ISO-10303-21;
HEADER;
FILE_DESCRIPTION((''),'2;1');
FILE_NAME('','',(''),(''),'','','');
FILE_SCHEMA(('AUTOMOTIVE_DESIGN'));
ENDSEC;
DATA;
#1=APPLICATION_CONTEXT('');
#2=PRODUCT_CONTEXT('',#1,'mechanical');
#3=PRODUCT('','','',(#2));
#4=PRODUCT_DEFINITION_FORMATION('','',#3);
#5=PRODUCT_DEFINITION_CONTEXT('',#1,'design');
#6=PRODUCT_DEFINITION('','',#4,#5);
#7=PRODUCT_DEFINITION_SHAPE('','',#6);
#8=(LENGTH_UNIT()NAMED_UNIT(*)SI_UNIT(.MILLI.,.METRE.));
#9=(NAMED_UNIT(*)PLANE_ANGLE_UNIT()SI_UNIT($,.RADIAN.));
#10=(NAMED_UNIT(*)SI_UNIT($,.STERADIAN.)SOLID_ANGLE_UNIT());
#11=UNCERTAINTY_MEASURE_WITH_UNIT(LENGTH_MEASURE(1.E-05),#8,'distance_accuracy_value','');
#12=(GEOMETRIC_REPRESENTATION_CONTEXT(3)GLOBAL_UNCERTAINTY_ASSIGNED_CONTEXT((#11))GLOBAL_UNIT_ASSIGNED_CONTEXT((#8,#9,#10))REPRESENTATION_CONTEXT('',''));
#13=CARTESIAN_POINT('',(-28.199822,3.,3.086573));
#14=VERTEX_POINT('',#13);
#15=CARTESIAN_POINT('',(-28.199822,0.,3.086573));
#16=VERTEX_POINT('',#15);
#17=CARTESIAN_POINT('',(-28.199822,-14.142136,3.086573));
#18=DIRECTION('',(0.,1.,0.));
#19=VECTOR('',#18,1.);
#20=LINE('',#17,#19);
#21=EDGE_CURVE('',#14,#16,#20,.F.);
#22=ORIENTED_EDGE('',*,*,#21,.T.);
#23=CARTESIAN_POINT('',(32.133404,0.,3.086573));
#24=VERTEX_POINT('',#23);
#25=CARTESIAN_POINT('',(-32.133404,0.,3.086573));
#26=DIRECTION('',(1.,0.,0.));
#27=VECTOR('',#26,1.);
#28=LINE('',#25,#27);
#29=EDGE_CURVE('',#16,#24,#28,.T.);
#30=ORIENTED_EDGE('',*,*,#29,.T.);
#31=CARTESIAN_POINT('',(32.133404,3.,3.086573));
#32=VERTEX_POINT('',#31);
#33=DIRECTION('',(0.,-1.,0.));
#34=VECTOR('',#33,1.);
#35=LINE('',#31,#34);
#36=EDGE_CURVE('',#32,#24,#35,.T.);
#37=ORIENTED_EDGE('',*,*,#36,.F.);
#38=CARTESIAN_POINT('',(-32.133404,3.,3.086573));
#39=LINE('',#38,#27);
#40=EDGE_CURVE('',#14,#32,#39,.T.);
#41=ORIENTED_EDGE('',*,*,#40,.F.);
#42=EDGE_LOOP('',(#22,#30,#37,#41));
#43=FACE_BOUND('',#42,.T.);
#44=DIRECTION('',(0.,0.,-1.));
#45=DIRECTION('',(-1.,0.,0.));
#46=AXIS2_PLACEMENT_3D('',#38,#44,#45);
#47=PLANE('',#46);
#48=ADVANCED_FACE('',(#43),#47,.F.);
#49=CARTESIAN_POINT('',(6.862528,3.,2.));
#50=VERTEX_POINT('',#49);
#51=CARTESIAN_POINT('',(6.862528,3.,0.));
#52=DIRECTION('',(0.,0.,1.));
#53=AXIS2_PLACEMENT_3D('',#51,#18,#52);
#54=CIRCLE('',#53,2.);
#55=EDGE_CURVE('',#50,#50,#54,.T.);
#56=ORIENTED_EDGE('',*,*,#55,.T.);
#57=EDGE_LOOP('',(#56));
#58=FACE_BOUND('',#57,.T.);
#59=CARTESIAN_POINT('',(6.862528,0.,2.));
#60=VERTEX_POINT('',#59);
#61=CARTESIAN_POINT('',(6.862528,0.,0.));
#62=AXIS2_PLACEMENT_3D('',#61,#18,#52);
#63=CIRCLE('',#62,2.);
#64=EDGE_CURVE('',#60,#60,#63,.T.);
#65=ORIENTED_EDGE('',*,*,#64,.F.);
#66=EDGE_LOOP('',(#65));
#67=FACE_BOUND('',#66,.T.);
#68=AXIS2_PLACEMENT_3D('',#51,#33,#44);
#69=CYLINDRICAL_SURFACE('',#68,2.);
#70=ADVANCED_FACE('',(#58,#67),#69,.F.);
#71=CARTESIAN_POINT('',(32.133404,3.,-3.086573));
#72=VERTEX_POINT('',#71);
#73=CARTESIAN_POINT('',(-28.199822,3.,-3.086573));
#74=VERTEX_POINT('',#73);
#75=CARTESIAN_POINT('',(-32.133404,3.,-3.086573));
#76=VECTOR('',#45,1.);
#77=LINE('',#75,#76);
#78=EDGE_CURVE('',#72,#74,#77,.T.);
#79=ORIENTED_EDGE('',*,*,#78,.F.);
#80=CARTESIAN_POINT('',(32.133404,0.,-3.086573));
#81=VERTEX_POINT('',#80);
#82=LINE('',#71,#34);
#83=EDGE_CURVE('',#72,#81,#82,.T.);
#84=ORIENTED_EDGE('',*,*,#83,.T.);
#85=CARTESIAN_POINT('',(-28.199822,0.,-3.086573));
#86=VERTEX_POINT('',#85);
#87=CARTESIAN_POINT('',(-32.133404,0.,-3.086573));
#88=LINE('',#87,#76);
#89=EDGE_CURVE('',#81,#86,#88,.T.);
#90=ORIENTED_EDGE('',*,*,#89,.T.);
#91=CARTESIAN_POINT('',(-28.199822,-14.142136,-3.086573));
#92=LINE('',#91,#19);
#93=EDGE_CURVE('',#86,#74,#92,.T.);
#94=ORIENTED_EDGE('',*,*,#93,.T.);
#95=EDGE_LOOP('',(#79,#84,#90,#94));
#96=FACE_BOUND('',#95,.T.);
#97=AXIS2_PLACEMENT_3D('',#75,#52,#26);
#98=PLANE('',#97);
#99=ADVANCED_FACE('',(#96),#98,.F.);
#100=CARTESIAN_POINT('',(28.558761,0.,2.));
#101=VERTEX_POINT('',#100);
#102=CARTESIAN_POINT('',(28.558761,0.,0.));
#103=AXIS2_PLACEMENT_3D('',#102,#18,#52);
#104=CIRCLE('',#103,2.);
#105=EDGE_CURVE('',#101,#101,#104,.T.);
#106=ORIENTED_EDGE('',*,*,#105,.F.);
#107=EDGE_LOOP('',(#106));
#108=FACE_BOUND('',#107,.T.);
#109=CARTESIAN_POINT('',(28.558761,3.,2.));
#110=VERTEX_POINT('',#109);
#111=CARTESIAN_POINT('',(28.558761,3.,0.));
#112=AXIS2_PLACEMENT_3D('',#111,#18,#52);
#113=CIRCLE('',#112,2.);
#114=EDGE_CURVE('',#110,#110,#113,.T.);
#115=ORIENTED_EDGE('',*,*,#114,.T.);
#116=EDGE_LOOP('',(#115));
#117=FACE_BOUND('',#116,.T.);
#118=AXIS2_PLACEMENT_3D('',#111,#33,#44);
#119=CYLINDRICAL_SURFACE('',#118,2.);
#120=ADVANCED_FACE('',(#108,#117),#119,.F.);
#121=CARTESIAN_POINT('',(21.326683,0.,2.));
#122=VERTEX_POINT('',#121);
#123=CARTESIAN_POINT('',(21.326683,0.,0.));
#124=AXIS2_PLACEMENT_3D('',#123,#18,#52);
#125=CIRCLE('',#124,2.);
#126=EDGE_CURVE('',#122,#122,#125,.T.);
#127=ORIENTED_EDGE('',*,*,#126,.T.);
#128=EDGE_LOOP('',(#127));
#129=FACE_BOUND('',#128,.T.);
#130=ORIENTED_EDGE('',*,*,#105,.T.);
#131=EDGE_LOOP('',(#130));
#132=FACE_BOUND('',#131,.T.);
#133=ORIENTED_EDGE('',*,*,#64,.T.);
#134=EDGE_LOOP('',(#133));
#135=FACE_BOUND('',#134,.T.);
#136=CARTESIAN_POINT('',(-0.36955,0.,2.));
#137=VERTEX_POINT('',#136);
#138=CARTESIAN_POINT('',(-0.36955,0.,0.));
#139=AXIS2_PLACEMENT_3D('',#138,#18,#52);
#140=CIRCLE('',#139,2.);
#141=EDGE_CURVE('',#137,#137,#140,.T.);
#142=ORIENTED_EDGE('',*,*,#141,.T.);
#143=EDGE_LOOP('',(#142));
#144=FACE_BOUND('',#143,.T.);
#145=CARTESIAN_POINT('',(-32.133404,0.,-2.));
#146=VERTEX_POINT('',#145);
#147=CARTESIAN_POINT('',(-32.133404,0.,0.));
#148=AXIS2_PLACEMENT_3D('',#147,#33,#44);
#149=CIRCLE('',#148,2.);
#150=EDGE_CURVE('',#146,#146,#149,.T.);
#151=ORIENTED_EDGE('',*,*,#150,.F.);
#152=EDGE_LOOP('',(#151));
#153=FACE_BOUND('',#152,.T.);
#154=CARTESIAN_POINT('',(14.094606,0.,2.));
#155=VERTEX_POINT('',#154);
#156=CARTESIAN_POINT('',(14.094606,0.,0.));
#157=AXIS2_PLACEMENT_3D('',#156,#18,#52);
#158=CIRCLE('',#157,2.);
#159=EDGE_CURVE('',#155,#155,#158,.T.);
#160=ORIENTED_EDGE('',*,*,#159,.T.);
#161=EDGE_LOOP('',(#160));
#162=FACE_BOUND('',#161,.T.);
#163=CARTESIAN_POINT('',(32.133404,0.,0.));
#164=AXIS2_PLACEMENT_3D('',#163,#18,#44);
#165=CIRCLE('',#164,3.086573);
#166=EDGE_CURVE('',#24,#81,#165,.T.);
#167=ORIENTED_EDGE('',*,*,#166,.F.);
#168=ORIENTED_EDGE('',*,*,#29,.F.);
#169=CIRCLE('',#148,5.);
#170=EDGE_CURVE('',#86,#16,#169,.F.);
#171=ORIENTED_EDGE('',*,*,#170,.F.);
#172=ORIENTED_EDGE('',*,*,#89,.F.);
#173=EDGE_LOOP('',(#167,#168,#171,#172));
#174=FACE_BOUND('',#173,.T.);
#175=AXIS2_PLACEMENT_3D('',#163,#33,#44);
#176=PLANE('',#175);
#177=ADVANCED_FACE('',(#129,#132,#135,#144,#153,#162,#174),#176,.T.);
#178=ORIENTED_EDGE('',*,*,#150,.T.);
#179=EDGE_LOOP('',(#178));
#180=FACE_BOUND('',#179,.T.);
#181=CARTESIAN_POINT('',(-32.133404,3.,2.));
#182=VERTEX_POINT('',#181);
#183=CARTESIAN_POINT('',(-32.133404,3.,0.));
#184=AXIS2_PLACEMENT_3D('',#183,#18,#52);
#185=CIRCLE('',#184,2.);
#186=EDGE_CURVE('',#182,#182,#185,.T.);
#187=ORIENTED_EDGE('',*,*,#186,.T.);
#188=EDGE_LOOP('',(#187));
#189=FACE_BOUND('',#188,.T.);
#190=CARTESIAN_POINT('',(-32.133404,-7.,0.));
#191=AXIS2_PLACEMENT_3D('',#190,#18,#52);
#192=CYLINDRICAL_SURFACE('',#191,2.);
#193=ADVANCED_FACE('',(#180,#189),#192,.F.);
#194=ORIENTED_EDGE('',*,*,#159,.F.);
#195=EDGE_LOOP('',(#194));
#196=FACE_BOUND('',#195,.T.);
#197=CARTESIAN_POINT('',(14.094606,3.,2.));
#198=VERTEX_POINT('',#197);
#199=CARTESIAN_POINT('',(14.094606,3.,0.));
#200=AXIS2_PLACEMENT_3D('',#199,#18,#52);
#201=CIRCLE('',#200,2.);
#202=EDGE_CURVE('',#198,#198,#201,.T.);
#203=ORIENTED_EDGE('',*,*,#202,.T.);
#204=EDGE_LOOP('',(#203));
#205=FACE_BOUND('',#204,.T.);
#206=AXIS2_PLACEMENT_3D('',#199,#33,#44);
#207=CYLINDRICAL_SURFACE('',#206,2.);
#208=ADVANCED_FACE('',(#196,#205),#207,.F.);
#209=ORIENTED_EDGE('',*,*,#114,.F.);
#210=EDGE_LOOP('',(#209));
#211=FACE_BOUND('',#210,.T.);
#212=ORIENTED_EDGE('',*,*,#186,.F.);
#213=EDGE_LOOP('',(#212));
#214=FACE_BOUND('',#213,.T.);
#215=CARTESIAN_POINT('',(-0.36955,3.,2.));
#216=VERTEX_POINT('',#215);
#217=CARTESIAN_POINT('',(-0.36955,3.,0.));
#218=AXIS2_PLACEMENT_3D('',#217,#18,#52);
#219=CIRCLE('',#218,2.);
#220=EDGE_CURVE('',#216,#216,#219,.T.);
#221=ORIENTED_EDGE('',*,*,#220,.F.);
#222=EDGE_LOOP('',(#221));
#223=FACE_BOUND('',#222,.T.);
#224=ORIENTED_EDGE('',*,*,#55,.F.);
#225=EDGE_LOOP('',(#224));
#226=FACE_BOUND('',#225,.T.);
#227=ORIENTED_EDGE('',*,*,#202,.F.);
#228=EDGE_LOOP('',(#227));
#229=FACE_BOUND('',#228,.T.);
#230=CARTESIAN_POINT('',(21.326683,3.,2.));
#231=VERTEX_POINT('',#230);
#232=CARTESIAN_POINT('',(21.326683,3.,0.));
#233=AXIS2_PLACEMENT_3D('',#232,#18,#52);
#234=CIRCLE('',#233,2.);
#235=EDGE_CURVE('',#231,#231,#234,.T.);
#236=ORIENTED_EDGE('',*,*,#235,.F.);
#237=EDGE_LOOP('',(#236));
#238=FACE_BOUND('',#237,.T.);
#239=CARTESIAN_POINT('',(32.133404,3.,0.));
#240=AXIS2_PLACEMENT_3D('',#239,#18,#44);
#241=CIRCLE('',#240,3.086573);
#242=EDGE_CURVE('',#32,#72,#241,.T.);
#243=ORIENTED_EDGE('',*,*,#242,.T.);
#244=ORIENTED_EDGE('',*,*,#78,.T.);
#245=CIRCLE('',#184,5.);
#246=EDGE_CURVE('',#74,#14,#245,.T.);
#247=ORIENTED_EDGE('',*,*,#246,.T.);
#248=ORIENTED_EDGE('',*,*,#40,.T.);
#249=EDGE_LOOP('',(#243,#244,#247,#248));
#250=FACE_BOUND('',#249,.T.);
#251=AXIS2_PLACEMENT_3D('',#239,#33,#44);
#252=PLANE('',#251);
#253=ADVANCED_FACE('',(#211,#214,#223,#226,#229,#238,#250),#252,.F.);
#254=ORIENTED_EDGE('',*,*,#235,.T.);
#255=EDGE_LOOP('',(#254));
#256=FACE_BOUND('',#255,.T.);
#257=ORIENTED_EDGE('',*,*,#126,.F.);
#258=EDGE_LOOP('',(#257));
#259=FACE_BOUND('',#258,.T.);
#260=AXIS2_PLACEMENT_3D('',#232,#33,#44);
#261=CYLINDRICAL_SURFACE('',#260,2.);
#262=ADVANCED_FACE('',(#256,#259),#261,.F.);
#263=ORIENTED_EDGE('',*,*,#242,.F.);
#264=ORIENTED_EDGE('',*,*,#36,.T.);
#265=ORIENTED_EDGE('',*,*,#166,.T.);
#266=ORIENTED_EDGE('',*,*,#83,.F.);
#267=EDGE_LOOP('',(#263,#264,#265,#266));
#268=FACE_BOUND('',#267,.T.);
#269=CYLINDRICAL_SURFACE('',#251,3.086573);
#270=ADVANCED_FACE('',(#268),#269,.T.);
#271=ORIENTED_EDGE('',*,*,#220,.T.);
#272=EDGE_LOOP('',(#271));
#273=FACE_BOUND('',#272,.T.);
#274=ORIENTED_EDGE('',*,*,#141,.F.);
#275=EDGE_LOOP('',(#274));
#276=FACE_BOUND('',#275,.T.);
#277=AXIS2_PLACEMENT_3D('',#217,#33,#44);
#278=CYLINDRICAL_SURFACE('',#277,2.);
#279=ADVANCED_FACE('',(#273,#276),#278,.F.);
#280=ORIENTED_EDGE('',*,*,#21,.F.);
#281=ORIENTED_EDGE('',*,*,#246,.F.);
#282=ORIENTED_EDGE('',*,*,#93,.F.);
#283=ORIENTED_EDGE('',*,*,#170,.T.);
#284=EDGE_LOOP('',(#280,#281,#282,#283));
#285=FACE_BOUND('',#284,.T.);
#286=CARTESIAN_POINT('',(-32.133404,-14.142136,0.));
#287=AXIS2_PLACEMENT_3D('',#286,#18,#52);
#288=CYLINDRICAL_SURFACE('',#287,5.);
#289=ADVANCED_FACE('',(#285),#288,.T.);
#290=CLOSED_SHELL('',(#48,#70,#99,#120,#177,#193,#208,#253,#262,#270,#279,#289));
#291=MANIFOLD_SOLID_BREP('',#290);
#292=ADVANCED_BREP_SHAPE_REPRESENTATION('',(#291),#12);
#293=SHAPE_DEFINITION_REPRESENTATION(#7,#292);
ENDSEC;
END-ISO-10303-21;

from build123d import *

# Parameters (mm, degrees)
SKETCH2_R           = 2
BOSS_EXTRUDE2_DEPTH = 3
SKETCH6_R           = 5
BOSS_EXTRUDE5_DEPTH = 3
SKETCH8_R           = 2
CUT_EXTRUDE3_DEPTH  = 10


with BuildPart() as part:
    # Sketch2 → Boss-Extrude2 (new body)
    with BuildSketch(Plane(origin=(0, 0, 0), x_dir=(1, 0, 0), z_dir=(0, 1, 0))):
        with BuildLine():
            Line((-32.1334036, 3.086573492), (32.1334036, 3.086573492))
            ThreePointArc((32.1334036, 3.086573492), (35.219977092, 0), (32.1334036, -3.086573492))
            Line((32.1334036, -3.086573492), (-32.1334036, -3.086573492))
            Line((-32.1334036, -3.086573492), (-32.1334036, 3.086573492))
        make_face()
        with Locations(Location((28.558761332, 0, 0), (0, 0, 270))):
            Circle(SKETCH2_R, mode=Mode.SUBTRACT)
        with Locations(Location((21.326683463, 0, 0), (0, 0, 270))):
            Circle(SKETCH2_R, mode=Mode.SUBTRACT)
        with Locations(Location((14.094605594, 0, 0), (0, 0, 270))):
            Circle(SKETCH2_R, mode=Mode.SUBTRACT)
        with Locations(Location((6.862527725, 0, 0), (0, 0, 270))):
            Circle(SKETCH2_R, mode=Mode.SUBTRACT)
        with Locations(Location((-0.369550144, 0, 0), (0, 0, 270))):
            Circle(SKETCH2_R, mode=Mode.SUBTRACT)
    extrude(amount=BOSS_EXTRUDE2_DEPTH)

    # Sketch6 → Boss-Extrude5 (add)
    with BuildSketch(Plane(origin=(0, 3, 0), x_dir=(1, 0, 0), z_dir=(0, 1, 0))):
        with Locations((-32.1334036, 0)):
            Circle(SKETCH6_R)
    extrude(amount=-BOSS_EXTRUDE5_DEPTH)

    # Sketch8 → Cut-Extrude3 (cut)
    with BuildSketch(Plane(origin=(0, 3, 0), x_dir=(1, 0, 0), z_dir=(0, 1, 0))):
        with Locations(Location((-32.1334036, 0, 0), (0, 0, 270))):
            Circle(SKETCH8_R)
    extrude(amount=-CUT_EXTRUDE3_DEPTH, mode=Mode.SUBTRACT)


solid = part.part
